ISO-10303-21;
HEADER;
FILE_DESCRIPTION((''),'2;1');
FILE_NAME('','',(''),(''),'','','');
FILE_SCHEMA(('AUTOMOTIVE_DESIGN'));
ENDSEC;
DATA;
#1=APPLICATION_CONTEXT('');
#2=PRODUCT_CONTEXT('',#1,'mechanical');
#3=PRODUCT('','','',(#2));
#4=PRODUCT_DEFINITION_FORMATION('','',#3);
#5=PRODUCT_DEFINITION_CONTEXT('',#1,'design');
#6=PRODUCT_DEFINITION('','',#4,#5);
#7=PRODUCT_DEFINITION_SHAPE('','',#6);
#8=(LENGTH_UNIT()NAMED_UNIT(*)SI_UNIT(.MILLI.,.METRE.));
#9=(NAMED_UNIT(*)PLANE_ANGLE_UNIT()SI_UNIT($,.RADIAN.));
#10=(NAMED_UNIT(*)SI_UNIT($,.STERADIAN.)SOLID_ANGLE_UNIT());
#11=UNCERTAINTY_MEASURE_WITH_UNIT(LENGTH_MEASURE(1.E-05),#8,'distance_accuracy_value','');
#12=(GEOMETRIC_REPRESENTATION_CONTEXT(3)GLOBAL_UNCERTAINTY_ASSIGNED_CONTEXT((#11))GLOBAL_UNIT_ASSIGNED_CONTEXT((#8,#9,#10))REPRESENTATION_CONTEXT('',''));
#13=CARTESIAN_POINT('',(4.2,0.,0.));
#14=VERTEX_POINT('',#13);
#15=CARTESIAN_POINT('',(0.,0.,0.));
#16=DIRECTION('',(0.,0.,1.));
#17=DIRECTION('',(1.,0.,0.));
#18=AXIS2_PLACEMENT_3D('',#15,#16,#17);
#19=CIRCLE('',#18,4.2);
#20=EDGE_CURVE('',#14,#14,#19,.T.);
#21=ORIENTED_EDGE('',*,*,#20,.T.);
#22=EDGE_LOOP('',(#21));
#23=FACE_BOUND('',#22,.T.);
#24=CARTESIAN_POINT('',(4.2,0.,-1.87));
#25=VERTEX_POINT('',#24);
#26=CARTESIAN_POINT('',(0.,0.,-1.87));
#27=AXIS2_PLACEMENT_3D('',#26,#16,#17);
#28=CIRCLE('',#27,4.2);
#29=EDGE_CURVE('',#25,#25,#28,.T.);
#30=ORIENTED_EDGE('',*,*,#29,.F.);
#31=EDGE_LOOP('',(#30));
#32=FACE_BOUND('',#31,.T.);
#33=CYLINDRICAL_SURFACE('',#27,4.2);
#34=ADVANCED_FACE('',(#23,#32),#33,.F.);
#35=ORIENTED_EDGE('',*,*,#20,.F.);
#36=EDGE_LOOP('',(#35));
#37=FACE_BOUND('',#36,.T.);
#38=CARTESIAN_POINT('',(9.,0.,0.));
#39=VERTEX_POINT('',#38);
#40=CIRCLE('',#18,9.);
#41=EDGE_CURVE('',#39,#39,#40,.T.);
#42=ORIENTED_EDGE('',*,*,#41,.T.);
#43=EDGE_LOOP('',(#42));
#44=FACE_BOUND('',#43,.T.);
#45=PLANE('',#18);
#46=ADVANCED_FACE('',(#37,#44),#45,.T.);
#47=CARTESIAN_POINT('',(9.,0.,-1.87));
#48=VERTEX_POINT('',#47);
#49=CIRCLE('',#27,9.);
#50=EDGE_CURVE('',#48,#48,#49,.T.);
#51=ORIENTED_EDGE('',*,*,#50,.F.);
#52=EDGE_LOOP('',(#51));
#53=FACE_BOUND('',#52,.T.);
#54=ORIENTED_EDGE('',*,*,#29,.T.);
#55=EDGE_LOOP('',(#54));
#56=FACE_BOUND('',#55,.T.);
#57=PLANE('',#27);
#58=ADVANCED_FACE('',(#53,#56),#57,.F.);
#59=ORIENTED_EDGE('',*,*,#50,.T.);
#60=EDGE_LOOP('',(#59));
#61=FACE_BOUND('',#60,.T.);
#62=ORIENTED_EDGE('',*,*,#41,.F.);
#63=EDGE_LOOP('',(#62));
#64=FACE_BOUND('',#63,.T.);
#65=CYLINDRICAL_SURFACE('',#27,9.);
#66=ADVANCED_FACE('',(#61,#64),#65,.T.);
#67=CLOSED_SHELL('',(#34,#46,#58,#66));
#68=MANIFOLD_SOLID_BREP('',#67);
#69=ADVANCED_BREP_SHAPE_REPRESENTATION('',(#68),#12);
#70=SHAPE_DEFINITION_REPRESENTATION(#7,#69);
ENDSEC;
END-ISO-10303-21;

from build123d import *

# Parameters (mm, degrees)
SKETCH1_R      = 9
SKETCH1_R_2    = 4.2
EXTRUDE1_DEPTH = 1.87


with BuildPart() as part:
    # Sketch1 → Extrude1 (new body)
    with BuildSketch(Plane.XY):
        Circle(SKETCH1_R)
        Circle(SKETCH1_R_2, mode=Mode.SUBTRACT)
    extrude(amount=-EXTRUDE1_DEPTH)


solid = part.part
